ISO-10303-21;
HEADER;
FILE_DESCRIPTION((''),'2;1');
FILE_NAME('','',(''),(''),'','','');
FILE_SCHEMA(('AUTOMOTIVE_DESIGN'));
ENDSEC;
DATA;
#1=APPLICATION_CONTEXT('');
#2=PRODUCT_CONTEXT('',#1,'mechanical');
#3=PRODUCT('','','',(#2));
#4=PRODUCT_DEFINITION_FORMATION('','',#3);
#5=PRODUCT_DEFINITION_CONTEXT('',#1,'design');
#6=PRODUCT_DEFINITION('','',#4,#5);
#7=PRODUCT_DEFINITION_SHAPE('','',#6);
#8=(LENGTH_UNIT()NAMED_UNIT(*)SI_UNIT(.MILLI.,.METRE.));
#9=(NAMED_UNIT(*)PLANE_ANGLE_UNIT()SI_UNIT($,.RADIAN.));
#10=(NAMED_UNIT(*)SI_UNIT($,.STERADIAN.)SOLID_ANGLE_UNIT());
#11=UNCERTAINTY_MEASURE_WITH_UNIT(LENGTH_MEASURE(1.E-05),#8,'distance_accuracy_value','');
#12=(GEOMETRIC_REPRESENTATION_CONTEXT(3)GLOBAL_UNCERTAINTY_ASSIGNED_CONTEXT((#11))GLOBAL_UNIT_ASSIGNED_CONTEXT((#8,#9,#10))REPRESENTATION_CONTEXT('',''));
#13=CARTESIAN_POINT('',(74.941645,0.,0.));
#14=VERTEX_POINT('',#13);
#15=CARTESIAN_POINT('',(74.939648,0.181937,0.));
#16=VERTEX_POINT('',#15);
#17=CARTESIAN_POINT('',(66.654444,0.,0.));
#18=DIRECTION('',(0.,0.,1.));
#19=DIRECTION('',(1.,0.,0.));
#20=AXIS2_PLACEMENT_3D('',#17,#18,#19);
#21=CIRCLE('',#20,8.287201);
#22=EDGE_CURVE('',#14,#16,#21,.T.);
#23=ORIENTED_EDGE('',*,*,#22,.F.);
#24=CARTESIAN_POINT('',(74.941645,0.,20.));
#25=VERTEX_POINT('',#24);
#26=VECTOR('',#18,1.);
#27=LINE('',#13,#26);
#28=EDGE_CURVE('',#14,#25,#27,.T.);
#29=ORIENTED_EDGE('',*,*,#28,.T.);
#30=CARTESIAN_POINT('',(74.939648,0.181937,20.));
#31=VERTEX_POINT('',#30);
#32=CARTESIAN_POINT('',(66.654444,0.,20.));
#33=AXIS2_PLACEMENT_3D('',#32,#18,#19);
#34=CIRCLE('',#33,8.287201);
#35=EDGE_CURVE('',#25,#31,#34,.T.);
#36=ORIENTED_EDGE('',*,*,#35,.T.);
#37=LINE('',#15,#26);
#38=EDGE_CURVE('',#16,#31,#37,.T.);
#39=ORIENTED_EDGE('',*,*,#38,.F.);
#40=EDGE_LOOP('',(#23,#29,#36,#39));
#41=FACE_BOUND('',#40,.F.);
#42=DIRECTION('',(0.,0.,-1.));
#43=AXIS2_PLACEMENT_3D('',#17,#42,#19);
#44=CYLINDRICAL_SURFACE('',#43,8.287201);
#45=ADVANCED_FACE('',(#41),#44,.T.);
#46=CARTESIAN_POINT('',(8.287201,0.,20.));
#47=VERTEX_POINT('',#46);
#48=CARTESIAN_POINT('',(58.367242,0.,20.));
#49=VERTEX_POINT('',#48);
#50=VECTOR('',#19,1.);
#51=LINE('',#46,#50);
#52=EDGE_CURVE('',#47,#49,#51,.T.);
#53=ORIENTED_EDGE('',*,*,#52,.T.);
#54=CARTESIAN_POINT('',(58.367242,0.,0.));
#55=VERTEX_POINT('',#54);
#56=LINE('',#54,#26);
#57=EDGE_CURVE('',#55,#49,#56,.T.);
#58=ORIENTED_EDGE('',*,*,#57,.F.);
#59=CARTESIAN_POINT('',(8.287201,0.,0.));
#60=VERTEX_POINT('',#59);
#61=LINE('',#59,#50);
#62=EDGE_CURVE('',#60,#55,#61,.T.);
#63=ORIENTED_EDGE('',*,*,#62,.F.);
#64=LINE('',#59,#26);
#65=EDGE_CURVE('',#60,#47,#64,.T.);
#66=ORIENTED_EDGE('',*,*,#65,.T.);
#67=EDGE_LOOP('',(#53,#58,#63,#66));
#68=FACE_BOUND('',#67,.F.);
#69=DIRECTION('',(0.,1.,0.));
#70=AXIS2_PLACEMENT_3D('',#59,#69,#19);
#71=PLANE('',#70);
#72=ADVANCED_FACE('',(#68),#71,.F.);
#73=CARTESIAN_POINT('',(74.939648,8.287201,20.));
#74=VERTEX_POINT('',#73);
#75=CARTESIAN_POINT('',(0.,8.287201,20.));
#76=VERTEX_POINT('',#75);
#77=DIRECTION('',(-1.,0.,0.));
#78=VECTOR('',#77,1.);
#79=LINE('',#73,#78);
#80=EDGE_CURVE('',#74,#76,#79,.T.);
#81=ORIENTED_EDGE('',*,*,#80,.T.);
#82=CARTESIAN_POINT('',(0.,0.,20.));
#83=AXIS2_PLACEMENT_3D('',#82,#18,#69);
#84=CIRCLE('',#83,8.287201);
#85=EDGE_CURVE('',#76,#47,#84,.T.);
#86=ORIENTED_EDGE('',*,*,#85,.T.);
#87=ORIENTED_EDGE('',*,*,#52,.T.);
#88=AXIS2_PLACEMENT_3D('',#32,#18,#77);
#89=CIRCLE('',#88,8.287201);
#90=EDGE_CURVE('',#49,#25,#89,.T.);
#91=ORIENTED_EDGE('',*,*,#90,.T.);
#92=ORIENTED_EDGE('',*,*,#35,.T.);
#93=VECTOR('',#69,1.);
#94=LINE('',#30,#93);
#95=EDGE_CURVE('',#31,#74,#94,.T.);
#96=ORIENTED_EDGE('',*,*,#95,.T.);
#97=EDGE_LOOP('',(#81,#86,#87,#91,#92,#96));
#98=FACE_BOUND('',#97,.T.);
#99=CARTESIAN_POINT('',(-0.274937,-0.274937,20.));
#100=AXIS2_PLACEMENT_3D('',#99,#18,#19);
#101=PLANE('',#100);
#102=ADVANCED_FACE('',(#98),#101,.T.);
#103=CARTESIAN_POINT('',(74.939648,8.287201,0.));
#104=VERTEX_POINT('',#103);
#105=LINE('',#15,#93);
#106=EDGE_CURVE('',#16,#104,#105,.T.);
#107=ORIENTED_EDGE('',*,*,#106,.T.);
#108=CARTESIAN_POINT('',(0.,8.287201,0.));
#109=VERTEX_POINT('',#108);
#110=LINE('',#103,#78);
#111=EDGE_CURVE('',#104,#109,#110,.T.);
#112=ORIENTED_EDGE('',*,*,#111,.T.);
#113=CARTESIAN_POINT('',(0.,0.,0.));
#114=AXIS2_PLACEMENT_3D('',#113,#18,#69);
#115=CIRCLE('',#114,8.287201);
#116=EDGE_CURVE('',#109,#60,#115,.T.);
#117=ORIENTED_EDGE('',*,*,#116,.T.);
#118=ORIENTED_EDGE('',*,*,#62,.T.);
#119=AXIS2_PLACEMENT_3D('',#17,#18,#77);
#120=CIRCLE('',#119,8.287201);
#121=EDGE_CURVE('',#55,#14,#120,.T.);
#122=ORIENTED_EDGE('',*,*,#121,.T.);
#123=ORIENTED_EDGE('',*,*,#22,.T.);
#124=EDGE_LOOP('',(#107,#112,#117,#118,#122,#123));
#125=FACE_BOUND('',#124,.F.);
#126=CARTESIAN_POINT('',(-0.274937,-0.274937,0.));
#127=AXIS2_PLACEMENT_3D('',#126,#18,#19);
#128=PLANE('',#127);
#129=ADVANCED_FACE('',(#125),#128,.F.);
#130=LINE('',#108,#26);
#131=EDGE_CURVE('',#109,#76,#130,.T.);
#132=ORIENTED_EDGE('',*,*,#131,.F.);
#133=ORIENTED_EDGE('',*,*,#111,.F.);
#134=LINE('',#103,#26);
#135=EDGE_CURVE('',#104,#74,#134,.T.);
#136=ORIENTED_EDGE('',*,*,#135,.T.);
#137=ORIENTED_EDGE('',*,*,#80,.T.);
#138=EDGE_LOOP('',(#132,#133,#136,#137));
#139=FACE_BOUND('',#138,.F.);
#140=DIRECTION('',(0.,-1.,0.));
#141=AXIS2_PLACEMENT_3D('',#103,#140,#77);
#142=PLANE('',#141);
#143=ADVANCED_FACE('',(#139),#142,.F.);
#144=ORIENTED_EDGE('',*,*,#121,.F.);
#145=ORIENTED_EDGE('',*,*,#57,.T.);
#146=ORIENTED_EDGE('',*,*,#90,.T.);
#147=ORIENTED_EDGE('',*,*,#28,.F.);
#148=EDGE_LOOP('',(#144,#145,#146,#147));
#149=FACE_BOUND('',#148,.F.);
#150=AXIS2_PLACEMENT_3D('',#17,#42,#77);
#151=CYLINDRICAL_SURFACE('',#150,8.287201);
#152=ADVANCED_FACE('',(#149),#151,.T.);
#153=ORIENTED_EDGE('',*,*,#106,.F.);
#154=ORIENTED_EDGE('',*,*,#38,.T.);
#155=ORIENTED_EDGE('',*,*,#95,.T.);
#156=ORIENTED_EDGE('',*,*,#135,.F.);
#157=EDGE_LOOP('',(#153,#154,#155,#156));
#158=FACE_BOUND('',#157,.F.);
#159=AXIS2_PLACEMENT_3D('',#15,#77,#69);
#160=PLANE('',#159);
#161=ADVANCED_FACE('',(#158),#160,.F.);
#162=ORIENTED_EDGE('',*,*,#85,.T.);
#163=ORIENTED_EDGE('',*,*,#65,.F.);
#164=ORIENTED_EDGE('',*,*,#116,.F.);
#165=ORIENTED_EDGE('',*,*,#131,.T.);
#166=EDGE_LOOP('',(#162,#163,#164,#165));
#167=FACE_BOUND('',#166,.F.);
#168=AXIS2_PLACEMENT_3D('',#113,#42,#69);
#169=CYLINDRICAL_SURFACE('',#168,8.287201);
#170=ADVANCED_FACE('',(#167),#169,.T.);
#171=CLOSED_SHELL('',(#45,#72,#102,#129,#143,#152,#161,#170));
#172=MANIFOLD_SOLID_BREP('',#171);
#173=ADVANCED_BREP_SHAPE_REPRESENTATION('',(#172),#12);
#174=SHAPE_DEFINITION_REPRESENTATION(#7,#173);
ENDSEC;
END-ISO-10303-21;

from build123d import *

# Parameters (mm, degrees)
F1_DEPTH = 20
F2_DEPTH = 20


with BuildPart() as f1:
    # F0 (on Top) → F1 (new body)
    with BuildSketch(Plane.XY):
        with BuildLine():
            ThreePointArc((0, 8.2872013066), (-5.8599362409, -5.8599362409), (8.2872013066, 0))
            Line((8.2872013066, 0), (0, 0))
            Line((0, 0), (0, 8.2872013066))
        make_face()
        with BuildLine():
            Line((0, 0), (8.2872013066, 0))
            ThreePointArc((8.2872013066, 0), (5.8599362409, 5.8599362409), (0, 8.2872013066))
            Line((0, 8.2872013066), (0, 0))
        make_face()
    extrude(amount=F1_DEPTH)

    # F0 (on Top) → F2 (join)
    with BuildSketch(Plane.XY):
        with BuildLine():
            Line((0, 0), (8.2872013066, 0))
            ThreePointArc((8.2872013066, 0), (5.8599362409, 5.8599362409), (0, 8.2872013066))
            Line((0, 8.2872013066), (0, 0))
        make_face()
        with BuildLine():
            ThreePointArc((0, 8.2872013066), (-5.8599362409, -5.8599362409), (8.2872013066, 0))
            Line((8.2872013066, 0), (0, 0))
            Line((0, 0), (0, 8.2872013066))
        make_face()
        with BuildLine():
            ThreePointArc((0, 8.2872013066), (5.8599362409, 5.8599362409), (8.2872013066, 0))
            Line((8.2872013066, 0), (58.3672424343, 0))
            ThreePointArc((58.3672424343, 0), (60.7945074999, 5.8599362409), (66.6544437408, 8.2872013066))
            Line((66.6544437408, 8.2872013066), (0, 8.2872013066))
        make_face()
        with BuildLine():
            ThreePointArc((66.6544437408, 8.2872013066), (60.7945074999, 5.8599362409), (58.3672424343, 0))
            Line((58.3672424343, 0), (74.9396476895, 0))
            Line((74.9396476895, 0), (74.9396476895, 0.1819368715))
            ThreePointArc((74.9396476895, 0.1819368715), (72.4496986108, 5.9239114179), (66.6544437408, 8.2872013066))
        make_face()
        with BuildLine():
            Line((74.9396476895, 0), (58.3672424343, 0))
            ThreePointArc((58.3672424343, 0), (66.6544437408, -8.2872013066), (74.9416450474, 0))
            ThreePointArc((74.9416450474, 0), (74.9411456929, 0.0909739175), (74.9396476895, 0.1819368715))
            Line((74.9396476895, 0.1819368715), (74.9396476895, 0))
        make_face()
        with BuildLine():
            Line((74.9396476895, 8.2872013066), (66.6544437408, 8.2872013066))
            ThreePointArc((66.6544437408, 8.2872013066), (72.4496986108, 5.9239114179), (74.9396476895, 0.1819368715))
            Line((74.9396476895, 0.1819368715), (74.9396476895, 8.2872013066))
        make_face()
    extrude(amount=F2_DEPTH)


solid = f1.part
